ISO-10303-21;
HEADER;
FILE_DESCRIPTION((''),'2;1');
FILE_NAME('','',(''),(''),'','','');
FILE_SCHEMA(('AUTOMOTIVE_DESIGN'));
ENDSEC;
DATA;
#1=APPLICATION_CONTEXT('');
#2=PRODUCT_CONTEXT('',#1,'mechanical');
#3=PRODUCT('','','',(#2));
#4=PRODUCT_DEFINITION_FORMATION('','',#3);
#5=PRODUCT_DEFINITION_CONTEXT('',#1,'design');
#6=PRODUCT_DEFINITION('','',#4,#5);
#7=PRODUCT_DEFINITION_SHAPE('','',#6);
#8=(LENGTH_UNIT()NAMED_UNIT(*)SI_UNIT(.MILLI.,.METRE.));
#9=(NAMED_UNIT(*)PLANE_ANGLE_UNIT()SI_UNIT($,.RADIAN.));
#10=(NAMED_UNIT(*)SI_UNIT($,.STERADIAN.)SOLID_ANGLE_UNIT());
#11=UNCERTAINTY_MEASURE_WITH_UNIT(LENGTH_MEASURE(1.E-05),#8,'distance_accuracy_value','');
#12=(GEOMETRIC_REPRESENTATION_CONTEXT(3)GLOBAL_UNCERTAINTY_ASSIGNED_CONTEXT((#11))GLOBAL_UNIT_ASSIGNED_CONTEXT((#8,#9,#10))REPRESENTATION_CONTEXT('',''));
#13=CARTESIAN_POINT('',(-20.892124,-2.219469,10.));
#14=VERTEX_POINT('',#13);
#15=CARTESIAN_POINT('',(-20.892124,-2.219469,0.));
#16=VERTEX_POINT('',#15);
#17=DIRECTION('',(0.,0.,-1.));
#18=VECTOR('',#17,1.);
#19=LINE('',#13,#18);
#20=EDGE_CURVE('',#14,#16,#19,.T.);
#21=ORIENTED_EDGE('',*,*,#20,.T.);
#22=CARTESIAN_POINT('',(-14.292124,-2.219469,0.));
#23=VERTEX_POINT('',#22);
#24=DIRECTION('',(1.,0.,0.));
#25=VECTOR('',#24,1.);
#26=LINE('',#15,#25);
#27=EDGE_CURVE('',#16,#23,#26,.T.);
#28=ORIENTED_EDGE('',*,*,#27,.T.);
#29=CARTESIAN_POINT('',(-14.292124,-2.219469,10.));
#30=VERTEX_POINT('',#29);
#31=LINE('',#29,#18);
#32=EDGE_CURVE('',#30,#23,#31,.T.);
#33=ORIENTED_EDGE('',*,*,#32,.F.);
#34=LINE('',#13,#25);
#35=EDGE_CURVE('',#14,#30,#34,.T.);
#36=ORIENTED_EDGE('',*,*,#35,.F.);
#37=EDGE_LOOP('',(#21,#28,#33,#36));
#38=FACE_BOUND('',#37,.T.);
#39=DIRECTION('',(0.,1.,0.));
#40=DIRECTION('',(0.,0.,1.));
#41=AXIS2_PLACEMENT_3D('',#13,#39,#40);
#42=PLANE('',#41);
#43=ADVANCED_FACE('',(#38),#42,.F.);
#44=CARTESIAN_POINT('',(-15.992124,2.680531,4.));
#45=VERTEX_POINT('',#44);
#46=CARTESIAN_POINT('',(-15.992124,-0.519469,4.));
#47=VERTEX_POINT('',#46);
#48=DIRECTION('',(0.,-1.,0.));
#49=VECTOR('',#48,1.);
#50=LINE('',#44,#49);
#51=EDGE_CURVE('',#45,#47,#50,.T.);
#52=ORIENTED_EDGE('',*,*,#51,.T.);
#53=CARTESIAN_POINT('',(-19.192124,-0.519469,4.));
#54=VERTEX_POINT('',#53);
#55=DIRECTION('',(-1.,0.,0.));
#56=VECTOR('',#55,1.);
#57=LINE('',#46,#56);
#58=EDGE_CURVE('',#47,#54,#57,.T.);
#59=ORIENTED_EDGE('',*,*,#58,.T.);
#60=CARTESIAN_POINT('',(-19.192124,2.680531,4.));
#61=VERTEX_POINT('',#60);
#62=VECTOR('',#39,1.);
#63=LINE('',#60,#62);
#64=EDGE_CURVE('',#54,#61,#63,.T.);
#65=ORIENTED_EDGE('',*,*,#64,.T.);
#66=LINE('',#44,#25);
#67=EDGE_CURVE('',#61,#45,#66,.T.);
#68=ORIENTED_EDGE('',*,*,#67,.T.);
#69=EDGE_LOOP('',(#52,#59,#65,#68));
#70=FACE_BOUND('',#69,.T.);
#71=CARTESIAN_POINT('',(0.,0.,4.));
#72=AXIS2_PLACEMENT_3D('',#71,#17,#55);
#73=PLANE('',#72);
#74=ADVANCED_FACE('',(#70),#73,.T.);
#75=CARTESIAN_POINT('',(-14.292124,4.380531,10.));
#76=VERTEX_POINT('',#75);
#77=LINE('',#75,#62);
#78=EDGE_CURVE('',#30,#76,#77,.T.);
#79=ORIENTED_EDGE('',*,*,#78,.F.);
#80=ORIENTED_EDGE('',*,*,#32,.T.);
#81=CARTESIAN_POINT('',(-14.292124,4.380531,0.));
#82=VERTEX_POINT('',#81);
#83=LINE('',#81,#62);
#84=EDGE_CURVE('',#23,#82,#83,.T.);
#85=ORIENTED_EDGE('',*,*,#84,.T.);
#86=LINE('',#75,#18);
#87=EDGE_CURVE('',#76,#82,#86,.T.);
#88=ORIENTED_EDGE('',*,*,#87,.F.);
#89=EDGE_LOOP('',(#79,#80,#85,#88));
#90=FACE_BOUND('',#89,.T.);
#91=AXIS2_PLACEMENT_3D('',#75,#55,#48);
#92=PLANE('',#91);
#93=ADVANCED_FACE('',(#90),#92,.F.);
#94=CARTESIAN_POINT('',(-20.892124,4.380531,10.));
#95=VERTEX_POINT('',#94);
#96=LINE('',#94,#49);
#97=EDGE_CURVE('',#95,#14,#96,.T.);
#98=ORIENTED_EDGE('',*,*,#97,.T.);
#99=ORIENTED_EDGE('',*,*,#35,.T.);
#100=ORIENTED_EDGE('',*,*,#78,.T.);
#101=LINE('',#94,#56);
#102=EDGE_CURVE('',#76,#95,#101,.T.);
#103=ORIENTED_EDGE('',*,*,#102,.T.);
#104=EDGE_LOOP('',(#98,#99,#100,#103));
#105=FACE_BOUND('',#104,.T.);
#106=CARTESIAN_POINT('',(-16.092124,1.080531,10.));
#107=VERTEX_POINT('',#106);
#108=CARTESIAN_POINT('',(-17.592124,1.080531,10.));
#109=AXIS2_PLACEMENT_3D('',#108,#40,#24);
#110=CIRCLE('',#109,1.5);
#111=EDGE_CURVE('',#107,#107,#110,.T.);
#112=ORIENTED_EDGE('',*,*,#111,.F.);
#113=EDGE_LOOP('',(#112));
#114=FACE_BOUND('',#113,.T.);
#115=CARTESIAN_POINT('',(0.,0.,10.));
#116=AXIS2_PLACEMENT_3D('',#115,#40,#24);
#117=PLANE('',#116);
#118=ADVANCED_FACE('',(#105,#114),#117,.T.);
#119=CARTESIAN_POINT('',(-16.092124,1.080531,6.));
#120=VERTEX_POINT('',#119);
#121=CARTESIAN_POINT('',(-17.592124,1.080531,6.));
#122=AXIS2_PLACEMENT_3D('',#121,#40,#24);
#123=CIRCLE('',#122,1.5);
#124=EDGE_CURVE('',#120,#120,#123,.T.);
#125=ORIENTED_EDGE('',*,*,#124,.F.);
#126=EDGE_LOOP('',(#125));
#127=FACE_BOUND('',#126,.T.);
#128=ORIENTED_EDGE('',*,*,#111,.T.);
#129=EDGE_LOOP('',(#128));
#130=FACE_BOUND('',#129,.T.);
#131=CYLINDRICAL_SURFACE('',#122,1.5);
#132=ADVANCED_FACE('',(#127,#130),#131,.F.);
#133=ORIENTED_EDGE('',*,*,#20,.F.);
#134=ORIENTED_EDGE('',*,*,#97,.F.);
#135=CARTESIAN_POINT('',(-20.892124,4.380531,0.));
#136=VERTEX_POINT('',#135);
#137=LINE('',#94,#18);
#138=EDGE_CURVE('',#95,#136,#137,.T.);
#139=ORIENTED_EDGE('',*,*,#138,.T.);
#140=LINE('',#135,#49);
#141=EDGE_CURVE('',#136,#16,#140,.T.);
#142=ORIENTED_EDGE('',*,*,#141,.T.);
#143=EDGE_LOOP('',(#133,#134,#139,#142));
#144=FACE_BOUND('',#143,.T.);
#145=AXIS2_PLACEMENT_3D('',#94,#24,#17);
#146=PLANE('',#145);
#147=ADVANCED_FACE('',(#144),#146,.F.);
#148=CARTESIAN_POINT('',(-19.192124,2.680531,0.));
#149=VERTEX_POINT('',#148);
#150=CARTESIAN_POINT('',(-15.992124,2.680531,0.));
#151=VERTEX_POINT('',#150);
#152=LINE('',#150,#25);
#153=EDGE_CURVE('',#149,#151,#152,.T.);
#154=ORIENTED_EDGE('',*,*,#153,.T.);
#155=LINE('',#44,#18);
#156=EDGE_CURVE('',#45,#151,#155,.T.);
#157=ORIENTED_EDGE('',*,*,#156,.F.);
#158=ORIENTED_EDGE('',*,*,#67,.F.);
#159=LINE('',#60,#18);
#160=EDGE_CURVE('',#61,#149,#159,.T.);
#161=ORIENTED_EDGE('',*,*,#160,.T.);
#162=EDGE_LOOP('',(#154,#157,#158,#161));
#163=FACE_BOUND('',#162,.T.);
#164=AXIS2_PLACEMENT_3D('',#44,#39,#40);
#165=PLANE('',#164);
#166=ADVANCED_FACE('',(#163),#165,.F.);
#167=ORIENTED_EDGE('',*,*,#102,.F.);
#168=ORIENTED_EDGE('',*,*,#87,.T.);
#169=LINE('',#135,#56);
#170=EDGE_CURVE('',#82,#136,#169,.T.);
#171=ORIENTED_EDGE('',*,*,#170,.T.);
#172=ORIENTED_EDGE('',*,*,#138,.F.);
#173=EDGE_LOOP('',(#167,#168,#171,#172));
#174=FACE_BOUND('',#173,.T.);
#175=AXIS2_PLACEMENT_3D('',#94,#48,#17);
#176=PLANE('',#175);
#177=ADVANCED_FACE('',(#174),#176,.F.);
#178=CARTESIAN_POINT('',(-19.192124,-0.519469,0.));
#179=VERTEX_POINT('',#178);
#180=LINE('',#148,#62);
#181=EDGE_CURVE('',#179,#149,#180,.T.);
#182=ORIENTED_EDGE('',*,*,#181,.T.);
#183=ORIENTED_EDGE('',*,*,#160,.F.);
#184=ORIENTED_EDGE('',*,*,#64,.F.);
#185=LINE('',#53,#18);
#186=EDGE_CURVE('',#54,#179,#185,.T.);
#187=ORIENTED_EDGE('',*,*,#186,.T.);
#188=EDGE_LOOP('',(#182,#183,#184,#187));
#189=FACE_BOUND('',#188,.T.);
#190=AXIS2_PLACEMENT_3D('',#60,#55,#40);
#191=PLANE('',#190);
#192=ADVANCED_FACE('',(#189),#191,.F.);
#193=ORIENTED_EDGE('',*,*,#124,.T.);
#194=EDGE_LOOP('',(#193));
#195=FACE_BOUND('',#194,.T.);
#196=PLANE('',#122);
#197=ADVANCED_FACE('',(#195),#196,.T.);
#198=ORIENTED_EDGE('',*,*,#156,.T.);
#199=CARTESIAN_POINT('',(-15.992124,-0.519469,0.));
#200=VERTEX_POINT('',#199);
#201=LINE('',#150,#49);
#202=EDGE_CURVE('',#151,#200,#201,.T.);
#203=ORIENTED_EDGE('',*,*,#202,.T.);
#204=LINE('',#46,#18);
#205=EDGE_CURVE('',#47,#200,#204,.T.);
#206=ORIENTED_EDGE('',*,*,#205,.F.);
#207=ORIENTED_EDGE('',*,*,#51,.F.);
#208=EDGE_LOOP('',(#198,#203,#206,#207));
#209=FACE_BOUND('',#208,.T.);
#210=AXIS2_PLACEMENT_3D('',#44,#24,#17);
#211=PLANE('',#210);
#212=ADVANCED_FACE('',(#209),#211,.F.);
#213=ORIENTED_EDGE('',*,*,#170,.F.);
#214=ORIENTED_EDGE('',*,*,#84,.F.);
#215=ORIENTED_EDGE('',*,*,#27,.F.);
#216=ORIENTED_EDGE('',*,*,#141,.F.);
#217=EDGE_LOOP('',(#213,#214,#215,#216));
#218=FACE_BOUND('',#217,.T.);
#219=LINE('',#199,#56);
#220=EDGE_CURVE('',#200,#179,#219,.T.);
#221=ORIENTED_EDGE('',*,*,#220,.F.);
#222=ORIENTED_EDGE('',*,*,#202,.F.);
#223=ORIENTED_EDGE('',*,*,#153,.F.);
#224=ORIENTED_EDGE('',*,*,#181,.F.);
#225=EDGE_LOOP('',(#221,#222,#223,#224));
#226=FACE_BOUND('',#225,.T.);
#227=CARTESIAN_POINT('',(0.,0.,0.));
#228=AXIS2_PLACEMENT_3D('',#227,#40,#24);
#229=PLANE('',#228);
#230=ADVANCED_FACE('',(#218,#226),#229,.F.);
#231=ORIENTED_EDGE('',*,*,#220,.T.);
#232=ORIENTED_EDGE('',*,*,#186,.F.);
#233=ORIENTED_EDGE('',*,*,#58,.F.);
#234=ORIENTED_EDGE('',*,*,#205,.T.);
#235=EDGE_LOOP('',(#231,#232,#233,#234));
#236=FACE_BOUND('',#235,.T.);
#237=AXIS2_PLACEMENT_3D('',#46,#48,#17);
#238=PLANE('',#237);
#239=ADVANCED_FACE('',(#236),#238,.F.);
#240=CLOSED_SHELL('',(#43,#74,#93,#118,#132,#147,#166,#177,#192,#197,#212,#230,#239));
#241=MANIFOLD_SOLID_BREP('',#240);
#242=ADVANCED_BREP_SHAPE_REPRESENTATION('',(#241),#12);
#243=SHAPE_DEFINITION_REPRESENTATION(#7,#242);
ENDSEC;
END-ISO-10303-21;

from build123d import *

# Parameters (mm, degrees)
CROQUIS1_W              = 6.6
CROQUIS1_H              = 6.6
SALIENTE_EXTRUIR1_DEPTH = 10
CROQUIS2_R              = 1.5
CORTAR_EXTRUIR1_DEPTH   = 4
CROQUIS3_W              = 3.2
CROQUIS3_H              = 3.2
CORTAR_EXTRUIR2_DEPTH   = 4


with BuildPart() as part:
    # Croquis1 → Saliente-Extruir1 (new body)
    with BuildSketch(Plane.XY):
        with Locations((-17.592123702, 1.080530973)):
            Rectangle(CROQUIS1_W, CROQUIS1_H)
    extrude(amount=SALIENTE_EXTRUIR1_DEPTH)

    # Croquis2 → Cortar-Extruir1 (cut)
    with BuildSketch(Plane.XY.offset(10)):
        with Locations((-17.592123702, 1.080530973)):
            Circle(CROQUIS2_R)
    extrude(amount=-CORTAR_EXTRUIR1_DEPTH, mode=Mode.SUBTRACT)

    # Croquis3 → Cortar-Extruir2 (cut)
    with BuildSketch(Plane(origin=(0, 0, 0), x_dir=(-1, 0, 0), z_dir=(0, 0, -1))):
        with Locations((17.592123702, 1.080530973)):
            Rectangle(CROQUIS3_W, CROQUIS3_H)
    extrude(amount=-CORTAR_EXTRUIR2_DEPTH, mode=Mode.SUBTRACT)


solid = part.part
